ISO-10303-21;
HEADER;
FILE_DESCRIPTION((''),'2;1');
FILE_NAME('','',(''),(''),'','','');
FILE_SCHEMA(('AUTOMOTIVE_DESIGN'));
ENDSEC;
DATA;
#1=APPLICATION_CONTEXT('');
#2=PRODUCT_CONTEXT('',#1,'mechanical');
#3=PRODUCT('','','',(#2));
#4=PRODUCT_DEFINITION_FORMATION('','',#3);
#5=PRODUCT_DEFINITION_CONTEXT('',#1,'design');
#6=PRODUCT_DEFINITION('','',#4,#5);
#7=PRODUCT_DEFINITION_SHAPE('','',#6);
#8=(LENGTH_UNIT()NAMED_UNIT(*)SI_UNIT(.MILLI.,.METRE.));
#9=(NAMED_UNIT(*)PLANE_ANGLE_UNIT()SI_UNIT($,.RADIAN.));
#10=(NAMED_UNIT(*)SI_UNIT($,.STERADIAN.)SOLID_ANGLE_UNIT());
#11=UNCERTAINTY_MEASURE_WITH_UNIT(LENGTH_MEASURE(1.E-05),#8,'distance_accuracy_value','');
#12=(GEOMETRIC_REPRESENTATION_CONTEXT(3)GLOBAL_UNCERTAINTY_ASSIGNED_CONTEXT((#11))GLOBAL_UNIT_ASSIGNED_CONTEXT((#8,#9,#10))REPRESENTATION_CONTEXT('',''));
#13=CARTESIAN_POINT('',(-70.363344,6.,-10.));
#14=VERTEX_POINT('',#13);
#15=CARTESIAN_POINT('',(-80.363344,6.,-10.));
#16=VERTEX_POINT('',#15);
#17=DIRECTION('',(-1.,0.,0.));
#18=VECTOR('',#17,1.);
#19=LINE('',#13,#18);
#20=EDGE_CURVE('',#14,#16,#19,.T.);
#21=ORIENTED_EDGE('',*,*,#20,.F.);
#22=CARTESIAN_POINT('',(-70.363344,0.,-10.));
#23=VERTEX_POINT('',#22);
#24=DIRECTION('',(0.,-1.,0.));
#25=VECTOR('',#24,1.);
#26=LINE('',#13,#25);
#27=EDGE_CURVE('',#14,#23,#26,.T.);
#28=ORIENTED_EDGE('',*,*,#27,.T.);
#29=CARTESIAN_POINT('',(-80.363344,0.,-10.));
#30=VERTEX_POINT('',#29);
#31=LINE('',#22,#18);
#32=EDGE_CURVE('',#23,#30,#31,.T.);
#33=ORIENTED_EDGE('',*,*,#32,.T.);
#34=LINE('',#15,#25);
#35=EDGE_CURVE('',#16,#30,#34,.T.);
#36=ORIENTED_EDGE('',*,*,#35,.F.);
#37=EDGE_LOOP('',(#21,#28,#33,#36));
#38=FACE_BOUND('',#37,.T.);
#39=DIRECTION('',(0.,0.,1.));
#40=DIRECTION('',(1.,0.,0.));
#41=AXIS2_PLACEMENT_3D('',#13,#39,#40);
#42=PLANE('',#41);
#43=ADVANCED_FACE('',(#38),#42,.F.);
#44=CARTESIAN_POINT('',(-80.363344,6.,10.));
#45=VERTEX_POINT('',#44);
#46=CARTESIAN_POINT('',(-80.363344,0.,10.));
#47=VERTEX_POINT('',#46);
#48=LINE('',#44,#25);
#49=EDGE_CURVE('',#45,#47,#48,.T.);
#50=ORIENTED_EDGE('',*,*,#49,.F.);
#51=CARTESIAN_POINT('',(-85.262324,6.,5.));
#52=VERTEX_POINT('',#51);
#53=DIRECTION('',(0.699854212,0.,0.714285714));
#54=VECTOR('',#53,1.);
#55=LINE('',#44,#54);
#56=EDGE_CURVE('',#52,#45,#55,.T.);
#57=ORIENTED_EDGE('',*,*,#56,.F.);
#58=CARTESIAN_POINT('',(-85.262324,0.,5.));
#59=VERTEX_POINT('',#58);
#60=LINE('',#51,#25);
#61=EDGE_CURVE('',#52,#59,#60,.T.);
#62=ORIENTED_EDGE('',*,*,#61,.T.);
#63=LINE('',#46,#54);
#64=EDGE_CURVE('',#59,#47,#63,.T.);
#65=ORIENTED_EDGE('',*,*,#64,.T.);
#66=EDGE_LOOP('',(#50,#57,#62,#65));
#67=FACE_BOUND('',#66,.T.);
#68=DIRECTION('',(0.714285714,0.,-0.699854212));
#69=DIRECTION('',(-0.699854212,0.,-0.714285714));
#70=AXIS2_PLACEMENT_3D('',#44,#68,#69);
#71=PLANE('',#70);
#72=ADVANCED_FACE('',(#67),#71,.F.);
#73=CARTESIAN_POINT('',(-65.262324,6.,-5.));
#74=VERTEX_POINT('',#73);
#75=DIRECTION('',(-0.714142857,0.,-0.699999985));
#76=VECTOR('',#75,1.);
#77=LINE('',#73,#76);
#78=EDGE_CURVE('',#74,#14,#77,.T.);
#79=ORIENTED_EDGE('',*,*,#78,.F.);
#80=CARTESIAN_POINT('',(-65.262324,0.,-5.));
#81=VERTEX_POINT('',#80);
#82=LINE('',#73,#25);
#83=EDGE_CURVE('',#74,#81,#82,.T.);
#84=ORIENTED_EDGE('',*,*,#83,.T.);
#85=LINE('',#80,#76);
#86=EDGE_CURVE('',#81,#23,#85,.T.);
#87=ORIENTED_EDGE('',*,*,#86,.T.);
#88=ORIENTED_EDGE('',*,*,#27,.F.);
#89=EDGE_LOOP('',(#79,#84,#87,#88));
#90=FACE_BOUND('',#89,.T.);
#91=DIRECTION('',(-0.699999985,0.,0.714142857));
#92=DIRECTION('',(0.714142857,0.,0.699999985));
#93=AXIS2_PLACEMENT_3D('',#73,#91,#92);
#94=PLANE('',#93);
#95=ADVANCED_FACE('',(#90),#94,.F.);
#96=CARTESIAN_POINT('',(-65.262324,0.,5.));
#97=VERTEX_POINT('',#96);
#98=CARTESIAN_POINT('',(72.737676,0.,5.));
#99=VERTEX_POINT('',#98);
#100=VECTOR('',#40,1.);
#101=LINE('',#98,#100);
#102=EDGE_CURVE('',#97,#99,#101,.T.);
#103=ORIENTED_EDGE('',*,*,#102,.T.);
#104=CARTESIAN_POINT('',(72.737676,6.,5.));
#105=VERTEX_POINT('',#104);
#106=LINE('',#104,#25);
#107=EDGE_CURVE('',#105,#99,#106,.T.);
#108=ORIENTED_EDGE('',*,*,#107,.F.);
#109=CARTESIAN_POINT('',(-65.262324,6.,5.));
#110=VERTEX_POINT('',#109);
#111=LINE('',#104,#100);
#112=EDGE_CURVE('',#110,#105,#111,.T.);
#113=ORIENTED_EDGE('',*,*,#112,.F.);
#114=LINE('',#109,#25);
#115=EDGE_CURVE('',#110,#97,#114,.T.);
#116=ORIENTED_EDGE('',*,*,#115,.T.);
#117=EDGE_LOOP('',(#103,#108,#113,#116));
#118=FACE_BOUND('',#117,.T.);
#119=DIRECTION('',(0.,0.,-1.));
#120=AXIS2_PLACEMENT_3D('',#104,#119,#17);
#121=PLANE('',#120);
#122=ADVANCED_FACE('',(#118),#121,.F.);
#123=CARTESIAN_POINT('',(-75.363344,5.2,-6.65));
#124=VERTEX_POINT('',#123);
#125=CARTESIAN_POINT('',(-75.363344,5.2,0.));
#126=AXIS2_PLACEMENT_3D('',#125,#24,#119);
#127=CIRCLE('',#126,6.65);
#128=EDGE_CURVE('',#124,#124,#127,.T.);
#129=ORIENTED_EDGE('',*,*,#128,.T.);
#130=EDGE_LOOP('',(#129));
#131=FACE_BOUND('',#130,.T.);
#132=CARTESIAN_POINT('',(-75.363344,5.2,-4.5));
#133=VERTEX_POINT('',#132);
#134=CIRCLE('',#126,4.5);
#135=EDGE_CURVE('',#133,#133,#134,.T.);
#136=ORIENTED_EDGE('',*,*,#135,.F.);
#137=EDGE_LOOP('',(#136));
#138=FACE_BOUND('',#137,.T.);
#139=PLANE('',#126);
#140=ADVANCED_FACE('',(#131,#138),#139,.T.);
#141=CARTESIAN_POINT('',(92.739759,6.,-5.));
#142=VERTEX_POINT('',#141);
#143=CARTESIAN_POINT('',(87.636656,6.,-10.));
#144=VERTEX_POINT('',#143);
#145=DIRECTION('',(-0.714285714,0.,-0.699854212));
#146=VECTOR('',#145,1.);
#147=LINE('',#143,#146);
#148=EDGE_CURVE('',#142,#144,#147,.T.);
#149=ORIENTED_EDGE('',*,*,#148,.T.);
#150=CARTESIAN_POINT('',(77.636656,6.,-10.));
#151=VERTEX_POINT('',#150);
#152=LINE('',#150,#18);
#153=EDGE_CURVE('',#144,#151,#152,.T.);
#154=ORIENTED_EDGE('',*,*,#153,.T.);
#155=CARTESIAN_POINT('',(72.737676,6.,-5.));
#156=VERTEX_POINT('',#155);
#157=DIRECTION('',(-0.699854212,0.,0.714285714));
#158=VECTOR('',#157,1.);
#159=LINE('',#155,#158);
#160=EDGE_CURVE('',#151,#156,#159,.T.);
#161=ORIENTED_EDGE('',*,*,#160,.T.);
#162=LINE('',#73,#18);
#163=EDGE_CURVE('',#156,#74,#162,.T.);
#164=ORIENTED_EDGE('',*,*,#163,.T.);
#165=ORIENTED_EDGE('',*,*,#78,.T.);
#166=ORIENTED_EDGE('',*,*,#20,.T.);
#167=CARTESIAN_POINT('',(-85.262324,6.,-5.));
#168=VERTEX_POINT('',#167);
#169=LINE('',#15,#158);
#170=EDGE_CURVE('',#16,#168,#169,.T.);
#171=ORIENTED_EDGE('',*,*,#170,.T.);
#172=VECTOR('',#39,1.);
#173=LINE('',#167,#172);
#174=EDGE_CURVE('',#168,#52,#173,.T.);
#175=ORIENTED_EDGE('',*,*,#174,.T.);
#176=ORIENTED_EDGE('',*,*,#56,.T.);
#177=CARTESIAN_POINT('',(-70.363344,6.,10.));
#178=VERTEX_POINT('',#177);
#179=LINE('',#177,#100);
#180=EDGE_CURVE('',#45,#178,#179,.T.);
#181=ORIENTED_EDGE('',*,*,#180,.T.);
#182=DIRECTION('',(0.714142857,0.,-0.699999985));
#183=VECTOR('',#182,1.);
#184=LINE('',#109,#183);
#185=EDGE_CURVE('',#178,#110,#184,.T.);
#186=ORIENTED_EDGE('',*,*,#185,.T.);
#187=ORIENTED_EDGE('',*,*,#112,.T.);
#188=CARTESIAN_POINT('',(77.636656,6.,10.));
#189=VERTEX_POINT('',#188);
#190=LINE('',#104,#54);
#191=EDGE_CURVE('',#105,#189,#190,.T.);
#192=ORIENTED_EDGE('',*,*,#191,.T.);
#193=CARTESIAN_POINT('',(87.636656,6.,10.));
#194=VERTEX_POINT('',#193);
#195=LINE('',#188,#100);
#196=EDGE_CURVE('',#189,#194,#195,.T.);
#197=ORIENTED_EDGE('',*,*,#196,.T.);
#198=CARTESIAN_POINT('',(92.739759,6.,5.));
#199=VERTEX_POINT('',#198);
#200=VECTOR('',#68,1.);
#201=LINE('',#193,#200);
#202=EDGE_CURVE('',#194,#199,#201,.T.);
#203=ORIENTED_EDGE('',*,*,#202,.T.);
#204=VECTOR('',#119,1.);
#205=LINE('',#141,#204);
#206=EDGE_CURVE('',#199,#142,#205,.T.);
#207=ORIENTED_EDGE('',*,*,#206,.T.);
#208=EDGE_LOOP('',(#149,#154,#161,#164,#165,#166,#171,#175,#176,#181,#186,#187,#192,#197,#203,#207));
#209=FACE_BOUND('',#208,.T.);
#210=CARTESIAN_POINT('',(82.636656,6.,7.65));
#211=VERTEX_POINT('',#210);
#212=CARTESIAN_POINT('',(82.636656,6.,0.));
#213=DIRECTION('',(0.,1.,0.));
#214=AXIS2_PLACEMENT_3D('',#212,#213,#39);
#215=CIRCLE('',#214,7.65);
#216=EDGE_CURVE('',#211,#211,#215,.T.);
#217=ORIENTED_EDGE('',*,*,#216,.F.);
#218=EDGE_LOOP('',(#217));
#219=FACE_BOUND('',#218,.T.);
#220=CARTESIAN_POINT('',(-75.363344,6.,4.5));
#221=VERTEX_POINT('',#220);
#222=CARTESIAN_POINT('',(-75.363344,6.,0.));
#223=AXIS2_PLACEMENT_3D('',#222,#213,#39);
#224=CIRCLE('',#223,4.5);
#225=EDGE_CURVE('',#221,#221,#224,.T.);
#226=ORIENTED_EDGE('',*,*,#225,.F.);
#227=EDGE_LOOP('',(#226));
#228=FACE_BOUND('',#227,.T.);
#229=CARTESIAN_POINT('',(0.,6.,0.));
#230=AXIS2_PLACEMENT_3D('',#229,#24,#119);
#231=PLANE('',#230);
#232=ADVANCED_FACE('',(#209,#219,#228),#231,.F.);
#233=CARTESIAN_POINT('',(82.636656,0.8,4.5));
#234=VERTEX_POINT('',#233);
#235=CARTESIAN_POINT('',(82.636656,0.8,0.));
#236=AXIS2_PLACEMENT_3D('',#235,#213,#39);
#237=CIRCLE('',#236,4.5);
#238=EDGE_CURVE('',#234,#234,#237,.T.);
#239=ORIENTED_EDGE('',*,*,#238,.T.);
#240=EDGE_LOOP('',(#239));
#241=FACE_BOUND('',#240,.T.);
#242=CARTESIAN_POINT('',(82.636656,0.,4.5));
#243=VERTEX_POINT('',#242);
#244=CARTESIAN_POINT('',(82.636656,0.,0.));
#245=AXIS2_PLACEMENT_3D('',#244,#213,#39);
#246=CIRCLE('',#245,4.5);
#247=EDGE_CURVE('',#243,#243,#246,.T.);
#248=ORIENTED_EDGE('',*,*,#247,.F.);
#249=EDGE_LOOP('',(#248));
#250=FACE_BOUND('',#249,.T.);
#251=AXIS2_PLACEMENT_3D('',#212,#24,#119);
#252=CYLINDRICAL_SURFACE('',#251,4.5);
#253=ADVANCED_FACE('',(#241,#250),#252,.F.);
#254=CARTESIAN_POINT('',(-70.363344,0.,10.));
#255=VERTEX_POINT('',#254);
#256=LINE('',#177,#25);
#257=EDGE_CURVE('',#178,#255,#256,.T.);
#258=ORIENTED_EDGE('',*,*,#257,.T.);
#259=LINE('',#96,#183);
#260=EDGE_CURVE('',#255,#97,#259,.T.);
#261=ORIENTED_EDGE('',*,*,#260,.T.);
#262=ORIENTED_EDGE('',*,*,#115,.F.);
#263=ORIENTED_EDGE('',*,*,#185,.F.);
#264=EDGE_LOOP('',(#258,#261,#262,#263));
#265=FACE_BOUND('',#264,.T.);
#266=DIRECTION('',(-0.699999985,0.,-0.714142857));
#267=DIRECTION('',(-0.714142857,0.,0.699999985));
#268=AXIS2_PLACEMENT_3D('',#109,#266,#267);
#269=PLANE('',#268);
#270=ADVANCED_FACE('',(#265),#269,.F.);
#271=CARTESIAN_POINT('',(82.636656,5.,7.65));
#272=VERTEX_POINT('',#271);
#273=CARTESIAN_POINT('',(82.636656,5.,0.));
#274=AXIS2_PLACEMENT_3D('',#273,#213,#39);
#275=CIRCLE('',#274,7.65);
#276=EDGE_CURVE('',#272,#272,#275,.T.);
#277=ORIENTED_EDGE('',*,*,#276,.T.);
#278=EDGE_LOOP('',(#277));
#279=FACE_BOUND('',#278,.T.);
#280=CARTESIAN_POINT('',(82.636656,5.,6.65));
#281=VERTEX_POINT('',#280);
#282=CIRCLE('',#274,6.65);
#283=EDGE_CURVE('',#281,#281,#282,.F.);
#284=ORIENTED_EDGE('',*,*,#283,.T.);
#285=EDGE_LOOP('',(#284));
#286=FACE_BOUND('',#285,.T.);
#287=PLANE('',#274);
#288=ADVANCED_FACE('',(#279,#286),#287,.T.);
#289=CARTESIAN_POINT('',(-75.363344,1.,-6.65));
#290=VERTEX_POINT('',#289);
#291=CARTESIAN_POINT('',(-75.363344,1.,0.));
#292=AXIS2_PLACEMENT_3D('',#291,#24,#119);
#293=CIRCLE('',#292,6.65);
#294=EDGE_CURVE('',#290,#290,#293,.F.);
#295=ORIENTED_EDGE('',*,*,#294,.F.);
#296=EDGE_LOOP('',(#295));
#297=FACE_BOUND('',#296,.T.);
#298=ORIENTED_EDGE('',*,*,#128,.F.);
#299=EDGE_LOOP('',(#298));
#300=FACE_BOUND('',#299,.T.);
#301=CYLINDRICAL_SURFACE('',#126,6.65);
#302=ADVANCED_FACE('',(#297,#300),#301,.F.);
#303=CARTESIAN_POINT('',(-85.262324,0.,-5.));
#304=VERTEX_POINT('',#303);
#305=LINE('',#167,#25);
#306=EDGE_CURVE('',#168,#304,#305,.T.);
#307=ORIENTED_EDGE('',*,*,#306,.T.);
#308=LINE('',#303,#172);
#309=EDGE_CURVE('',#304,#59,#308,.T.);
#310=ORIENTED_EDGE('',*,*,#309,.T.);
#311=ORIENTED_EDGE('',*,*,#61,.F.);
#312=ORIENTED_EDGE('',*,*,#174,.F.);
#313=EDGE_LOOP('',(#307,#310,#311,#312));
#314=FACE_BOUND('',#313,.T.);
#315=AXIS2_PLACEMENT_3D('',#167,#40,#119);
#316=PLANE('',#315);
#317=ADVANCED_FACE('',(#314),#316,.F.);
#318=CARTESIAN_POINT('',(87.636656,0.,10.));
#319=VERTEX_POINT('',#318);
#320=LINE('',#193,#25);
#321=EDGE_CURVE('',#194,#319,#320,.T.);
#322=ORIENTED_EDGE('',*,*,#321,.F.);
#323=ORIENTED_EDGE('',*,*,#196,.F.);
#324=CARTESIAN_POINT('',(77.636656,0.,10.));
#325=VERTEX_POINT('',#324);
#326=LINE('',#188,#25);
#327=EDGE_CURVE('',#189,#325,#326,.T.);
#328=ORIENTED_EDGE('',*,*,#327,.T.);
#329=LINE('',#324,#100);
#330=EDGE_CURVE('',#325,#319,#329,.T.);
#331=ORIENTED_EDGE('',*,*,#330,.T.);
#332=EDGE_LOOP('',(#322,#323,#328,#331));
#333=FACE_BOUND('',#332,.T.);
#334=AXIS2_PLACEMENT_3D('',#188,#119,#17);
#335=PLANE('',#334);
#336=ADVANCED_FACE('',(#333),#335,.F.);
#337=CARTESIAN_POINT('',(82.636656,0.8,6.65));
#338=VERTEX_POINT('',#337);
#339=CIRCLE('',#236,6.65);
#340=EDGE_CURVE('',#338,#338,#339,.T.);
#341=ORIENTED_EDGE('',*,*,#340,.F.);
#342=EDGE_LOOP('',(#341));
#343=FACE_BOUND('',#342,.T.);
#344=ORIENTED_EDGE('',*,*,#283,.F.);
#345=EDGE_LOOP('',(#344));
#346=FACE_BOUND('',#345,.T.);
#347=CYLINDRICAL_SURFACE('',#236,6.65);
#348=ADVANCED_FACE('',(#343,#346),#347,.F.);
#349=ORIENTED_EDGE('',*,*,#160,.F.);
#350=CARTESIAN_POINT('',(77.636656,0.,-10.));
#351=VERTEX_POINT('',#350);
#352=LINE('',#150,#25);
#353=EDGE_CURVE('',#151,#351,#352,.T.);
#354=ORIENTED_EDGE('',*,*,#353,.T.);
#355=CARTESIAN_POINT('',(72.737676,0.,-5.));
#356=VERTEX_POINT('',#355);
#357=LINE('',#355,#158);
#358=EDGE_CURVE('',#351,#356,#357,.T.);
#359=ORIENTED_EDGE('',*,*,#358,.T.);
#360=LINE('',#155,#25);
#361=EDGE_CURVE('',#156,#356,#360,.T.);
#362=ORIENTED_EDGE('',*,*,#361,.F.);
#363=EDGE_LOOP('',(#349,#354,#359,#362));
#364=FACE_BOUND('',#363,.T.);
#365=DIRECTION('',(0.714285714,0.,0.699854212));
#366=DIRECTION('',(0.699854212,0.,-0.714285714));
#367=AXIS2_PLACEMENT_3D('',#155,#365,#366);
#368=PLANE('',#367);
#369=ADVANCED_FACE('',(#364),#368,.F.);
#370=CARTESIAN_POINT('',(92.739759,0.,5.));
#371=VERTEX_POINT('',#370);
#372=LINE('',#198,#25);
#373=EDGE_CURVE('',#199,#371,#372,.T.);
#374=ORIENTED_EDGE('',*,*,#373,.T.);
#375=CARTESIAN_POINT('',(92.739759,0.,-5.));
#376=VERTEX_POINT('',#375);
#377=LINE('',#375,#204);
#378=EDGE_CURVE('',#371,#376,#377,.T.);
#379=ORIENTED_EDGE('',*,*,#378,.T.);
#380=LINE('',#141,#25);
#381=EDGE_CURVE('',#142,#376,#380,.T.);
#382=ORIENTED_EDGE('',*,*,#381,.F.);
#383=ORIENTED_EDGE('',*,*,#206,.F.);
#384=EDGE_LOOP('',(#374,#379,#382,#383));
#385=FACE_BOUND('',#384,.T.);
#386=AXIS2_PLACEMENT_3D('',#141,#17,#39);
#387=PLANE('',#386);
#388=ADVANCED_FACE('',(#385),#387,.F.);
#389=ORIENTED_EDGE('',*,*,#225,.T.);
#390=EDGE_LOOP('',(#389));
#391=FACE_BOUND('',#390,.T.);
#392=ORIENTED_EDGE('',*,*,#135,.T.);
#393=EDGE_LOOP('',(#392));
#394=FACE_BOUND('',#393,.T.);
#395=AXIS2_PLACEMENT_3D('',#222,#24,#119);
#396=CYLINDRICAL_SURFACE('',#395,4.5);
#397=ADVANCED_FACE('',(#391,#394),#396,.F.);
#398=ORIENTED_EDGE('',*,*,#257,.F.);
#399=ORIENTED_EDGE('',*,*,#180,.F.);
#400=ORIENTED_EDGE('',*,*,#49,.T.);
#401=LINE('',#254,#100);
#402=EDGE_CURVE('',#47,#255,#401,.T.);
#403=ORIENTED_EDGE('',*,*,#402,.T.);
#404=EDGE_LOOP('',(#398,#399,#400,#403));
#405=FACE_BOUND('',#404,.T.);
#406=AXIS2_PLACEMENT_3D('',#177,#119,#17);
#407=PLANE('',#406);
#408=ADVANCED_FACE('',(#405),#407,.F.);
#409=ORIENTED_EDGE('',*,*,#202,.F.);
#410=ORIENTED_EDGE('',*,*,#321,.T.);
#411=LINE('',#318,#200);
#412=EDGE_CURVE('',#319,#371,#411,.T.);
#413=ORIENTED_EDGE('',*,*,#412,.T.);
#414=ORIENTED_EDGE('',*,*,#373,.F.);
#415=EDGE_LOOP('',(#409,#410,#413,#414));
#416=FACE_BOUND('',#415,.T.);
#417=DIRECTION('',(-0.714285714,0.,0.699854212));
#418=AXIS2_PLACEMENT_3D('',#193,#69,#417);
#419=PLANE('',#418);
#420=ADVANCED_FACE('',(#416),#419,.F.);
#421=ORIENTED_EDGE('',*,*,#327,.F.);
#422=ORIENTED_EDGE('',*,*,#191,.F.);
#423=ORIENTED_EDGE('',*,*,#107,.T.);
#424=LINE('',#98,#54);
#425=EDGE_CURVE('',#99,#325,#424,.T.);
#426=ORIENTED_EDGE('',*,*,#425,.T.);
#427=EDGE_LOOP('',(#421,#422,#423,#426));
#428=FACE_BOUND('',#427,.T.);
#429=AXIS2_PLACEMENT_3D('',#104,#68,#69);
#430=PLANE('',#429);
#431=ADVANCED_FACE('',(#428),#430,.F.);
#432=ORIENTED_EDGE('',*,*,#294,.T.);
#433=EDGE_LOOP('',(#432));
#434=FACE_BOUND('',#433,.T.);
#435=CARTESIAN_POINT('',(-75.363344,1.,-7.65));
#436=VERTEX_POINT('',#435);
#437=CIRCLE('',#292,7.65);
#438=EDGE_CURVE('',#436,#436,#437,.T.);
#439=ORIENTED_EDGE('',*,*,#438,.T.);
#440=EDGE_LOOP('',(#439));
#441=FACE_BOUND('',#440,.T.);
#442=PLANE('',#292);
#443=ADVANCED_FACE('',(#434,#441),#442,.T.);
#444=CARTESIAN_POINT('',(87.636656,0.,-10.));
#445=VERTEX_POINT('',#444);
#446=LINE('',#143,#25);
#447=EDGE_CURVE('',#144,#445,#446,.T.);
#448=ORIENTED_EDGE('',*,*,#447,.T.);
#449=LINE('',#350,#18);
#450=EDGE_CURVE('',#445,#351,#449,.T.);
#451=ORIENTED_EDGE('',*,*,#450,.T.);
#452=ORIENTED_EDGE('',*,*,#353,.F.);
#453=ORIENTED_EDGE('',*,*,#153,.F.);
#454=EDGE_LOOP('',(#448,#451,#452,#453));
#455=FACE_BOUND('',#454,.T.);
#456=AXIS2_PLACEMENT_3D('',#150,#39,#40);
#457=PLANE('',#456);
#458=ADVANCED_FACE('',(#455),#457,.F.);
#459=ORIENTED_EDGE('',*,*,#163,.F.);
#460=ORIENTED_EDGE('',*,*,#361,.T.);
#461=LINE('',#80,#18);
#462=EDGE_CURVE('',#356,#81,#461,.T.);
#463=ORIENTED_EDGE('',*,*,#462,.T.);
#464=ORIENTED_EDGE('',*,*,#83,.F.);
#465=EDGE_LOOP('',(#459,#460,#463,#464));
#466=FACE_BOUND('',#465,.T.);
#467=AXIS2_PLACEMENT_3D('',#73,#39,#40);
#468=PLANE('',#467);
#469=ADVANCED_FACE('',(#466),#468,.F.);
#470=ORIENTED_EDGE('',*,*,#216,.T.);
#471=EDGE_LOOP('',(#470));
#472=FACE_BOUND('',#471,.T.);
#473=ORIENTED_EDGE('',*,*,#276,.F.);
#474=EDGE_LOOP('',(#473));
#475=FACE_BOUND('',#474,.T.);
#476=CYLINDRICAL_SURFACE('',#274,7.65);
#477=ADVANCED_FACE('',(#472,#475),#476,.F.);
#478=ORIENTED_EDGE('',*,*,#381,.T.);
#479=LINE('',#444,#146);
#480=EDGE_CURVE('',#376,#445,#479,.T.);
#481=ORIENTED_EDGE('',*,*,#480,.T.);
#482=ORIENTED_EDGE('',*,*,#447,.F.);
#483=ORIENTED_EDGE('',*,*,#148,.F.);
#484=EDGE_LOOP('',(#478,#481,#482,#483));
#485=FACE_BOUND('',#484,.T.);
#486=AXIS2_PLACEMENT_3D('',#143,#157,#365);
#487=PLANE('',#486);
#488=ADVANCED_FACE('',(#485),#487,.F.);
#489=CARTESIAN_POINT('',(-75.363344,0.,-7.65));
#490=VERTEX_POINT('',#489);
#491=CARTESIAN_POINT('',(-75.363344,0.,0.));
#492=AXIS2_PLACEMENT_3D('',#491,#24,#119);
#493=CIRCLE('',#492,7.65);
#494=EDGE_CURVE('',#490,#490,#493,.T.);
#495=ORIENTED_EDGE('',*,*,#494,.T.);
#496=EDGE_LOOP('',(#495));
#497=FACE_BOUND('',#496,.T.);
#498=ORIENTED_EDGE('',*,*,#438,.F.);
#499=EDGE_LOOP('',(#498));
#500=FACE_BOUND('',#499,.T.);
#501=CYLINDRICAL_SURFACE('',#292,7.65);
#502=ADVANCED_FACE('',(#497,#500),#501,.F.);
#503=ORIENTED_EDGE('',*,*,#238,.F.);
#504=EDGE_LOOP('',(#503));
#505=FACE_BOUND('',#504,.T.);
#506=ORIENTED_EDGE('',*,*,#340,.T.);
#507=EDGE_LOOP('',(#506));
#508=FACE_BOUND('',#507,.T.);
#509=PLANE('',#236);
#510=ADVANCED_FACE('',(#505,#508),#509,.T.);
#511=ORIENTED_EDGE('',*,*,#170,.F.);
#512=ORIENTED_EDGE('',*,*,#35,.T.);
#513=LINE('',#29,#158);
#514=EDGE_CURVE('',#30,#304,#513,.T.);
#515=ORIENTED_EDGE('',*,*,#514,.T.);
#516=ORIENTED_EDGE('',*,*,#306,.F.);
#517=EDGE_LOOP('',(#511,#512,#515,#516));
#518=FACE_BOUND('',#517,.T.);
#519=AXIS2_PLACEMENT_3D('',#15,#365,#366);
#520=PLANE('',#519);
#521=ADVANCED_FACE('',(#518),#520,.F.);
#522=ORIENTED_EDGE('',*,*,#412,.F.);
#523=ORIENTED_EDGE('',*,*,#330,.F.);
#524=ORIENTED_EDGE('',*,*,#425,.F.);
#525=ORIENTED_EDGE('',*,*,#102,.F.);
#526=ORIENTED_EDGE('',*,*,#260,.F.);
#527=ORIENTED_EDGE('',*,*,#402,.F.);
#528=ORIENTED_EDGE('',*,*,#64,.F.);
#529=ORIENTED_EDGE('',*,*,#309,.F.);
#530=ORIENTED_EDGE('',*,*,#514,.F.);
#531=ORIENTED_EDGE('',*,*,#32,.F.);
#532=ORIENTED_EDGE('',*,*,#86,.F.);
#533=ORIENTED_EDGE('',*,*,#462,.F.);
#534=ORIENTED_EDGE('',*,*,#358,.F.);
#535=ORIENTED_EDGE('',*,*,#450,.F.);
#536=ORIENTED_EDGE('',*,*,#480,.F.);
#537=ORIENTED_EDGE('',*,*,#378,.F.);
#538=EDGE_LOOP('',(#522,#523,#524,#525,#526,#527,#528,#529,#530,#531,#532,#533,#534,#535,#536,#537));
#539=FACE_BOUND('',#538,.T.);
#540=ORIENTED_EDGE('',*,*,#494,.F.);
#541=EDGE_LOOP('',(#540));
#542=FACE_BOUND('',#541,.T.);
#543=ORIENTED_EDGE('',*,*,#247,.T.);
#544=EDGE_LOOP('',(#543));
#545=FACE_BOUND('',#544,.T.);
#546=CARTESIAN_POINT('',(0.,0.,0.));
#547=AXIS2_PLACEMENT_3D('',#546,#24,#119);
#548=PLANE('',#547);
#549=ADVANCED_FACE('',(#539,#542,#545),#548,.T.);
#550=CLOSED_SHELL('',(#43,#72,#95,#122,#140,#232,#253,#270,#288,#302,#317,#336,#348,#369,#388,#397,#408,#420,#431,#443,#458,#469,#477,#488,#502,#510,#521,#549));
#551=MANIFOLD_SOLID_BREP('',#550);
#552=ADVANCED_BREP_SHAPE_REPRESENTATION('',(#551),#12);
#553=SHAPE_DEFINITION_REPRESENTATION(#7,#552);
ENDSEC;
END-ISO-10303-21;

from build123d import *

# Parameters (mm, degrees)
SKETCH_1_R          = 4.5
EXTRUDE_1_DEPTH     = 6
SKETCH_2_R          = 6.65
CUT_EXTRUDE_1_DEPTH = 5.2
SKETCH_3_R          = 7.65
CUT_EXTRUDE_2_DEPTH = 1
SKETCH_5_R          = 6.65
CUT_EXTRUDE_3_DEPTH = 5.2
SKETCH_6_R          = 7.65
CUT_EXTRUDE_4_DEPTH = 1


with BuildPart() as part:
    # 草图1 → 凸台-拉伸1 (new body)
    with BuildSketch(Plane(origin=(0, 0, 0), x_dir=(1, 0, 0), z_dir=(0, 1, 0))):
        Polygon((-65.26232397, 5), (-70.363344484, 10), (-80.363344484, 10), (-85.26232397, 5), (-85.26232397, -5), (-80.363344484, -10), (-70.363344484, -10), (-65.26232397, -5), (72.73767603, -5), (77.636655516, -10), (87.636655516, -10), (92.739759147, -5), (92.739759147, 5), (87.636655516, 10), (77.636655516, 10), (72.73767603, 5), align=None)
        with Locations(Location((-75.363344484, 0, 0), (0, 0, 270))):
            Circle(SKETCH_1_R, mode=Mode.SUBTRACT)
        with Locations(Location((82.636655516, 0, 0), (0, 0, 270))):
            Circle(SKETCH_1_R, mode=Mode.SUBTRACT)
    extrude(amount=EXTRUDE_1_DEPTH)

    # 草图2 → 切除-拉伸1 (cut)
    with BuildSketch(Plane(origin=(0, 6, 0), x_dir=(1, 0, 0), z_dir=(0, 1, 0))):
        with Locations(Location((82.636655516, 0, 0), (0, 0, 270))):
            Circle(SKETCH_2_R)
    extrude(amount=-CUT_EXTRUDE_1_DEPTH, mode=Mode.SUBTRACT)

    # 草图3 → 切除-拉伸2 (cut)
    with BuildSketch(Plane(origin=(0, 6, 0), x_dir=(1, 0, 0), z_dir=(0, 1, 0))):
        with Locations(Location((82.636655516, 0, 0), (0, 0, 270))):
            Circle(SKETCH_3_R)
    extrude(amount=-CUT_EXTRUDE_2_DEPTH, mode=Mode.SUBTRACT)

    # 草图5 → 切除-拉伸3 (cut)
    with BuildSketch(Plane.XZ):
        with Locations(Location((-75.363344484, 0, 0), (0, 0, 270))):
            Circle(SKETCH_5_R)
    extrude(amount=-CUT_EXTRUDE_3_DEPTH, mode=Mode.SUBTRACT)

    # 草图6 → 切除-拉伸4 (cut)
    with BuildSketch(Plane.XZ):
        with Locations(Location((-75.363344484, 0, 0), (0, 0, 270))):
            Circle(SKETCH_6_R)
    extrude(amount=-CUT_EXTRUDE_4_DEPTH, mode=Mode.SUBTRACT)


solid = part.part
